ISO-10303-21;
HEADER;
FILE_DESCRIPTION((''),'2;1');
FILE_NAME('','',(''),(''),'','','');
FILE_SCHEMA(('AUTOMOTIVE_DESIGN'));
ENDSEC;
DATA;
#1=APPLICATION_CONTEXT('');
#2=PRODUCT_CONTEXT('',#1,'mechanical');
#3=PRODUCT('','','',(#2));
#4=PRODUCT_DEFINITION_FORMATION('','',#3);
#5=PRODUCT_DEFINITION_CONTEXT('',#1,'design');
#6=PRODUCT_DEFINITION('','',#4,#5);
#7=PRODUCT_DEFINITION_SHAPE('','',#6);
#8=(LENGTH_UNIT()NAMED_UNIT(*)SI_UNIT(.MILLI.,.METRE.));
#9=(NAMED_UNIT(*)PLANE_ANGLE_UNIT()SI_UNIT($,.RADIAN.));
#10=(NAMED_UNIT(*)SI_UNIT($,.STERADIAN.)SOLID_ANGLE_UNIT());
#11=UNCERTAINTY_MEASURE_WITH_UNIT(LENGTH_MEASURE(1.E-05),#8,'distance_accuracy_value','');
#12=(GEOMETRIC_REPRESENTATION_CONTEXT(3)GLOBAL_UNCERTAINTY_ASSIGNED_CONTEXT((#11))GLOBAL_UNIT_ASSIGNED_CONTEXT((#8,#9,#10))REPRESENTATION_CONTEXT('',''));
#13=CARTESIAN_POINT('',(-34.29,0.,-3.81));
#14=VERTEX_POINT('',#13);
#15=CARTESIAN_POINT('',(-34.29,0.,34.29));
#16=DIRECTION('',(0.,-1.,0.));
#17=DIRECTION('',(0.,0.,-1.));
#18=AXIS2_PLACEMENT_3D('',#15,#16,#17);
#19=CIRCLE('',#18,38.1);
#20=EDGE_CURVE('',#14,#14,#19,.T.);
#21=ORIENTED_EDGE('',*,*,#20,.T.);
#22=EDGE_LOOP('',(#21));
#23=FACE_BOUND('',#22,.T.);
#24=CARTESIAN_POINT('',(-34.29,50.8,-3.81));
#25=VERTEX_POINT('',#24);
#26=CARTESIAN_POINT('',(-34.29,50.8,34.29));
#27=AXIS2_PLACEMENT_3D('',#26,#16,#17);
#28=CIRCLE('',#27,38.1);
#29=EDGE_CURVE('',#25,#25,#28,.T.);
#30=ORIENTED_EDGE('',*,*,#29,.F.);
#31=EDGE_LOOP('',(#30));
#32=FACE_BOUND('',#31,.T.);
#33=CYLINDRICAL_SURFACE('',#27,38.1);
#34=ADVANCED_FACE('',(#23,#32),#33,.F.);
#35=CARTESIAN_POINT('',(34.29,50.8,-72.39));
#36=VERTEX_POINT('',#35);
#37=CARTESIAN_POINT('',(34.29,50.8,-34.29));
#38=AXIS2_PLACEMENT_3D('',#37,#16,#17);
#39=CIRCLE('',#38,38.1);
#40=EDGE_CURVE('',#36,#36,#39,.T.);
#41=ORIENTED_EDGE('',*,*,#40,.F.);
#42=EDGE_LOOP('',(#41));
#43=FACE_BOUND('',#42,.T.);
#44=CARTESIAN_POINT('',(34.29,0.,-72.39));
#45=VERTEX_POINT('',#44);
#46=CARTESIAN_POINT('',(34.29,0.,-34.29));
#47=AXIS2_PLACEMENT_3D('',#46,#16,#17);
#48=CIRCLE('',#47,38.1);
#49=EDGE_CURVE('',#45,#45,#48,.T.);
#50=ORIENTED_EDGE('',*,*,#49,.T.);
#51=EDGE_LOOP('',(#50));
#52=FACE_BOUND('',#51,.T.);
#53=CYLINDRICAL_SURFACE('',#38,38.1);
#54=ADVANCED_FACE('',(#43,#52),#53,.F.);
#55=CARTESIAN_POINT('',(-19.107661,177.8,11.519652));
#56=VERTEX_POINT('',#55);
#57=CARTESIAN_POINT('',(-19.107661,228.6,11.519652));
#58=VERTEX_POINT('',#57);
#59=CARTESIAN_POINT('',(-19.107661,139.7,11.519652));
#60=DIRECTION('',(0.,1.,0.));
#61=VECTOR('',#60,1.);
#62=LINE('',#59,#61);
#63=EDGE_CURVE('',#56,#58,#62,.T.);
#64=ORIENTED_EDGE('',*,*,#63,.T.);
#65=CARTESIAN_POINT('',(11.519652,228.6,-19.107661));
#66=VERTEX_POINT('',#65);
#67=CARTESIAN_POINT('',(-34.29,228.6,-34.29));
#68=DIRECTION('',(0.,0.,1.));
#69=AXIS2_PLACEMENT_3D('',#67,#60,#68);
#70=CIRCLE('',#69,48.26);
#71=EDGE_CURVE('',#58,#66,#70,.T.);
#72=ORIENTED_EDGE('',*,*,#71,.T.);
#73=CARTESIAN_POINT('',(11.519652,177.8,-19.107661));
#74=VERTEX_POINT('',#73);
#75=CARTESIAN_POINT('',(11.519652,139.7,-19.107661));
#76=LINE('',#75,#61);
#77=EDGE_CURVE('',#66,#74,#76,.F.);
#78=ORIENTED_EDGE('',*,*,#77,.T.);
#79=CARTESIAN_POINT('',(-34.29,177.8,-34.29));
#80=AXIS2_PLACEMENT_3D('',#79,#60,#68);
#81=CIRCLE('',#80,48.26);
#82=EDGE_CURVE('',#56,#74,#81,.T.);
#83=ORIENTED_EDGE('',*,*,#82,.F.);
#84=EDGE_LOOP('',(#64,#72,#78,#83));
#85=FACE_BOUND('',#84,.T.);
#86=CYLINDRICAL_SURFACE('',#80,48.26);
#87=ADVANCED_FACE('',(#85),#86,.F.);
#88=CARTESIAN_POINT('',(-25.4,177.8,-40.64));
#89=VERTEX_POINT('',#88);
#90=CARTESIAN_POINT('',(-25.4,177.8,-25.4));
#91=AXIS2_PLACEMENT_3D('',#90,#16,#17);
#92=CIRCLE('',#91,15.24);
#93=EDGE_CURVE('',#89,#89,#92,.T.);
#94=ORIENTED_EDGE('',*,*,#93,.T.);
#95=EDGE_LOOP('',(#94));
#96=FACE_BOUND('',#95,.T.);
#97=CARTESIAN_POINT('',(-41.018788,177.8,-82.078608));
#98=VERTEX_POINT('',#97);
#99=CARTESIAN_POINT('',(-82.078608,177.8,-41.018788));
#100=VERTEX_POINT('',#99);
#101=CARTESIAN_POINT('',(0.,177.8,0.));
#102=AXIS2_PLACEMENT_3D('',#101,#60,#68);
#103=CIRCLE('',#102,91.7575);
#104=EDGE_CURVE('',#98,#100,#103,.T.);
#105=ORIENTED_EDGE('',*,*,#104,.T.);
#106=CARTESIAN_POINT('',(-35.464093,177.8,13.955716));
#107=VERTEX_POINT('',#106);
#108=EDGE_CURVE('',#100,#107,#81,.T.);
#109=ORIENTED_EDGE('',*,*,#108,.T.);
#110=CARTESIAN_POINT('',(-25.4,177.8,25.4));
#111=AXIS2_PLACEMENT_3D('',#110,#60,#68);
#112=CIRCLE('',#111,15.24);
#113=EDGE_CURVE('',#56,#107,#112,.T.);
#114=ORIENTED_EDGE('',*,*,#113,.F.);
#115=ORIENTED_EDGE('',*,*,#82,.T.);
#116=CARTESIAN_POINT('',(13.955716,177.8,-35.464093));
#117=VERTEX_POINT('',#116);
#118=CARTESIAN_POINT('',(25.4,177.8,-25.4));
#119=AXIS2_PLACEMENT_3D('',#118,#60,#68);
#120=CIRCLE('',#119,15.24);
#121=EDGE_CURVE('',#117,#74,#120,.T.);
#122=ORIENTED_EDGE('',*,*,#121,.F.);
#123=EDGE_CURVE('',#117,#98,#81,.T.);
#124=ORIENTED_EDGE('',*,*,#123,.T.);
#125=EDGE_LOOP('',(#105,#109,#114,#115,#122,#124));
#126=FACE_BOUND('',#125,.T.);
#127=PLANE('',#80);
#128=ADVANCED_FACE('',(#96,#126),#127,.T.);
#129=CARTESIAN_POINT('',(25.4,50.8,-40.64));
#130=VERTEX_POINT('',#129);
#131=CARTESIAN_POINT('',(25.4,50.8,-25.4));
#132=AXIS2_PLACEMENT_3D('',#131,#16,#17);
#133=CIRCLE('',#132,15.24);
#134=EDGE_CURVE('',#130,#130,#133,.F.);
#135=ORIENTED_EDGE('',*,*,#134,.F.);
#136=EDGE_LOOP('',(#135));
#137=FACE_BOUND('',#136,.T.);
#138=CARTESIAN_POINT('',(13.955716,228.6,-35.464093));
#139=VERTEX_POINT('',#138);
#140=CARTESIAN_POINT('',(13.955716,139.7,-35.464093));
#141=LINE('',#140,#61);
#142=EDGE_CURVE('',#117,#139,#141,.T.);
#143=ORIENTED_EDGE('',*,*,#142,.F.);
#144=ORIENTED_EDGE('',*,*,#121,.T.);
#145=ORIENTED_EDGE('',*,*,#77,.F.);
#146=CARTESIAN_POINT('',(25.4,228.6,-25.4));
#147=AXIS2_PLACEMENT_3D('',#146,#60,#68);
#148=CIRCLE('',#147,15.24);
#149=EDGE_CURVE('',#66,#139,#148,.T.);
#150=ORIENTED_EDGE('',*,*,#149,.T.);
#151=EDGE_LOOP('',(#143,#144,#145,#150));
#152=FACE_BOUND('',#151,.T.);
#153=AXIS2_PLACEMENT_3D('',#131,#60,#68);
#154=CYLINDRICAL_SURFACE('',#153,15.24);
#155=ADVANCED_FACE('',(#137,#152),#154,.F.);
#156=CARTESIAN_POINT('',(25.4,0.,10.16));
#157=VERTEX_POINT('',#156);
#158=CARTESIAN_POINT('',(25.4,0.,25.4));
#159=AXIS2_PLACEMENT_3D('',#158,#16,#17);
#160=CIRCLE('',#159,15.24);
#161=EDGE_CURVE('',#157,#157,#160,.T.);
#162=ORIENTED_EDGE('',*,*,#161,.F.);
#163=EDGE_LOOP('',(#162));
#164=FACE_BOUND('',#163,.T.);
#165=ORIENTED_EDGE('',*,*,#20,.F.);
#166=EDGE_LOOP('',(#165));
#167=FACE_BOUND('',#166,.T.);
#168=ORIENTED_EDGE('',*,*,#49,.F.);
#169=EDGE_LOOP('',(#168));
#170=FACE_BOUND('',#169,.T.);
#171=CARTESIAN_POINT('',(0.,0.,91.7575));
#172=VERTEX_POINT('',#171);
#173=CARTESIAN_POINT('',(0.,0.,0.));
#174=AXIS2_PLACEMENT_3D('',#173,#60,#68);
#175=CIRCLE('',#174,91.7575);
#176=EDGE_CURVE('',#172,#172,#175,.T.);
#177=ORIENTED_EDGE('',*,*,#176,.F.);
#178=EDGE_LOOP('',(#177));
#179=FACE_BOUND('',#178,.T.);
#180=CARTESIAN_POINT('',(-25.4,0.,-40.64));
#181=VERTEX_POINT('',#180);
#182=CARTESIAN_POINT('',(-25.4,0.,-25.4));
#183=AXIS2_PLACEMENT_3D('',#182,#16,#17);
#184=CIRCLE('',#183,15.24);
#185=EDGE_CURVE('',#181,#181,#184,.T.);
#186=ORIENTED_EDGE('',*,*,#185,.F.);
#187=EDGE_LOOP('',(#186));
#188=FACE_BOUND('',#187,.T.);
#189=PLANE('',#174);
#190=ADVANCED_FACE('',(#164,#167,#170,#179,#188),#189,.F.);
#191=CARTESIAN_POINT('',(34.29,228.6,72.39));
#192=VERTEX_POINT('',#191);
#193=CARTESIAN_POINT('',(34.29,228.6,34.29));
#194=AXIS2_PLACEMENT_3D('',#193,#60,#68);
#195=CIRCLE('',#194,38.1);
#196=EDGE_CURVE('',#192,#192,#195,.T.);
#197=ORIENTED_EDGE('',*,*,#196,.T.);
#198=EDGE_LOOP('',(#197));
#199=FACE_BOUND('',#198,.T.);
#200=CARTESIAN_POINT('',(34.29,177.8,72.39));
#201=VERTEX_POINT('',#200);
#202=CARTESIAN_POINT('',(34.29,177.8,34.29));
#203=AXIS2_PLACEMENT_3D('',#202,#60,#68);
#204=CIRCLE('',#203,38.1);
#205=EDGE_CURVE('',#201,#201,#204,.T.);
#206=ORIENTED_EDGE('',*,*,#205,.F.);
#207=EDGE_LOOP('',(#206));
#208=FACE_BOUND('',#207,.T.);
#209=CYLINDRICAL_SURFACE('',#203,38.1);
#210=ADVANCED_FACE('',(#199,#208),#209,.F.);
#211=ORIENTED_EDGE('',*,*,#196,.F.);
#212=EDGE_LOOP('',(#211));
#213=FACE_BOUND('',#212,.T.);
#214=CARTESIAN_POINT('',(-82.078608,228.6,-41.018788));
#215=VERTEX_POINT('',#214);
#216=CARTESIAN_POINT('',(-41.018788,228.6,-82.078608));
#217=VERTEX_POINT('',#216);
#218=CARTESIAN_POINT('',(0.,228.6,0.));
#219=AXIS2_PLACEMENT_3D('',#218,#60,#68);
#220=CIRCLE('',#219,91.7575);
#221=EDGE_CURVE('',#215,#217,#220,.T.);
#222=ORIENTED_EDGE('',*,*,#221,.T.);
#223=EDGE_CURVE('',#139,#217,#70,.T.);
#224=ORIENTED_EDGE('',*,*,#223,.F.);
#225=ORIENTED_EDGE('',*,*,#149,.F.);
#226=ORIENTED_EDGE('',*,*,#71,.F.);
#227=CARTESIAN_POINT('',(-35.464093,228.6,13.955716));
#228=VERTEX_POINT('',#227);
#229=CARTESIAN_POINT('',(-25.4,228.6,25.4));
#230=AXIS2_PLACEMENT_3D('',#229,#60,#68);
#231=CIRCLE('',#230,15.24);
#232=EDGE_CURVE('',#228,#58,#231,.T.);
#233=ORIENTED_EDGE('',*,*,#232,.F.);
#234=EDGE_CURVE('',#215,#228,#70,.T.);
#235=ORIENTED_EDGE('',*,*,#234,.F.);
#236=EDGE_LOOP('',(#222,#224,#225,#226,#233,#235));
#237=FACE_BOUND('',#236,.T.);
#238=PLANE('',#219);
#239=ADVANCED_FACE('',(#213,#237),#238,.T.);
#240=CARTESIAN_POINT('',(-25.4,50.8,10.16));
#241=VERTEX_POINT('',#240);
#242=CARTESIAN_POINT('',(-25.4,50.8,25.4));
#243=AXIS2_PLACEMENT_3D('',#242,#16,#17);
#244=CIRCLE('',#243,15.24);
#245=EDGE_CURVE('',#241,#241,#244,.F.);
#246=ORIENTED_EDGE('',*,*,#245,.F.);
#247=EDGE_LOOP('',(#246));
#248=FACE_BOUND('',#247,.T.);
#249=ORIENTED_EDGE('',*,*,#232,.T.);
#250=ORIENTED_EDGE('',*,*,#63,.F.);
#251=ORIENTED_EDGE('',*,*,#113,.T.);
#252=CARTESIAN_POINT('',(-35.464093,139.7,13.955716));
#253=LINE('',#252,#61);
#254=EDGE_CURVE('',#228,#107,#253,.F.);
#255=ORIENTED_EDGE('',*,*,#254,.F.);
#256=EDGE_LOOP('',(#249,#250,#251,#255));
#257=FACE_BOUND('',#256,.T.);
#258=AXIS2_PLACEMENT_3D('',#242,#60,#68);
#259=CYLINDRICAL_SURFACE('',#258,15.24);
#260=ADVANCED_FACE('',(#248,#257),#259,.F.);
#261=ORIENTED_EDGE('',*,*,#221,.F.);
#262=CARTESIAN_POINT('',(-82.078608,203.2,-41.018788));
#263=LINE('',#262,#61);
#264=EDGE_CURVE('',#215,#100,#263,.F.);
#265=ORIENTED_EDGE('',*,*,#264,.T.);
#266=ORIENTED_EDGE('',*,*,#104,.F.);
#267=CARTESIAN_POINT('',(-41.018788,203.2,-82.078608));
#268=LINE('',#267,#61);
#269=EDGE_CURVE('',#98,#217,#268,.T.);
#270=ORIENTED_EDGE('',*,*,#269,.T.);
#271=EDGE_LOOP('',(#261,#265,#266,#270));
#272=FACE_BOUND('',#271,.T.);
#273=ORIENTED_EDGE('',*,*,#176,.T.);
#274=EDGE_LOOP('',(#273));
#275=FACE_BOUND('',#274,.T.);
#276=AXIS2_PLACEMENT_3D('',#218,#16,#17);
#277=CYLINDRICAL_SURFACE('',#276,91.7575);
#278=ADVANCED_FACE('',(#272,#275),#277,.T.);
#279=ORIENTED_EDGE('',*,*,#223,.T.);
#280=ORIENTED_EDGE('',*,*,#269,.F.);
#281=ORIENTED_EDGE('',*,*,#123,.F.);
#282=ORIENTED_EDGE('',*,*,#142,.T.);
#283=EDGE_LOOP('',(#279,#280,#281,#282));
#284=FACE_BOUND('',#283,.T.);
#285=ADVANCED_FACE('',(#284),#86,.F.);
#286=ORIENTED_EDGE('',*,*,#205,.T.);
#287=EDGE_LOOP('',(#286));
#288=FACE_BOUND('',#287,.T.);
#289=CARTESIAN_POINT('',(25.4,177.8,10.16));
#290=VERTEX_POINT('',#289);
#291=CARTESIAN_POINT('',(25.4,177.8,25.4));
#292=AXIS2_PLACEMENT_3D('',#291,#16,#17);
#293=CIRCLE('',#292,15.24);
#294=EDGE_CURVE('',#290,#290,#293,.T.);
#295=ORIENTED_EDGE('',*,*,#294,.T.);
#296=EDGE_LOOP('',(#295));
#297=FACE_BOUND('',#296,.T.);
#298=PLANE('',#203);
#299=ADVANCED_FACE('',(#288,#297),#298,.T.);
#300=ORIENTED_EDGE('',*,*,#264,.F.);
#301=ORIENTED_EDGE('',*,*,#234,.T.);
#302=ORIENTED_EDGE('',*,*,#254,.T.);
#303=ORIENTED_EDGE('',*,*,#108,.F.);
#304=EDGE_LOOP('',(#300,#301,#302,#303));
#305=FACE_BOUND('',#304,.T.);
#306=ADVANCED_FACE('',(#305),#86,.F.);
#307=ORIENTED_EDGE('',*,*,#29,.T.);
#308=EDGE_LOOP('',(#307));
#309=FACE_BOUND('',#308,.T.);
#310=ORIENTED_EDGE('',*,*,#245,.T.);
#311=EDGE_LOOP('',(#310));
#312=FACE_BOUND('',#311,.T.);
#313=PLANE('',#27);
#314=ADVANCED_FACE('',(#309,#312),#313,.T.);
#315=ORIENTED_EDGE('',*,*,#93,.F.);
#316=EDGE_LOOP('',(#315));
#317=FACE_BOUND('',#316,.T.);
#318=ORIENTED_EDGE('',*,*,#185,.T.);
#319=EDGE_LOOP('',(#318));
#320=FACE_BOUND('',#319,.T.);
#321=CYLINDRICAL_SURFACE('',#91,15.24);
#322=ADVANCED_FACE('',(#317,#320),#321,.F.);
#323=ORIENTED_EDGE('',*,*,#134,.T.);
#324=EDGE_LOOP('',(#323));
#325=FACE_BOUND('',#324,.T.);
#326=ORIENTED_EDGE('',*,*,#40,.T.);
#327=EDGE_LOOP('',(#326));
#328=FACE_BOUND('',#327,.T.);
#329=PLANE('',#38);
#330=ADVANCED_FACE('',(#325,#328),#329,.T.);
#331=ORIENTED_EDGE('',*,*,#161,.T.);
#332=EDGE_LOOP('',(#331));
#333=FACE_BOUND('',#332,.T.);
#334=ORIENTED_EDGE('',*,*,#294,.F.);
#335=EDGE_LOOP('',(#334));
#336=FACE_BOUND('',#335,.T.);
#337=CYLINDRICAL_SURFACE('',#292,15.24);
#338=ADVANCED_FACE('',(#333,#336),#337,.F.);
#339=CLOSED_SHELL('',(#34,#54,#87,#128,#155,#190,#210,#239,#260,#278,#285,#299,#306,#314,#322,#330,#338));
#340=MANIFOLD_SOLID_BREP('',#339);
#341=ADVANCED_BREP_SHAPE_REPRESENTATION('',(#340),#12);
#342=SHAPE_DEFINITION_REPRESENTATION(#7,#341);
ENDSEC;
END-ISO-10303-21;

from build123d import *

# Parameters (mm, degrees)
SKETCH1_R           = 91.7575
BOSS_EXTRUDE1_DEPTH = 228.6
SKETCH2_R           = 48.26
SKETCH2_R_2         = 38.1
CUT_EXTRUDE1_DEPTH  = 50.8
SKETCH4_R           = 15.24
CUT_EXTRUDE2_DEPTH  = 177.8
SKETCH5_R           = 15.24
CUT_EXTRUDE3_DEPTH  = 177.8
SKETCH6_R           = 38.1
CUT_EXTRUDE9_DEPTH  = 50.8


with BuildPart() as part:
    # Sketch1 → Boss-Extrude1 (new body)
    with BuildSketch(Plane(origin=(0, 0, 0), x_dir=(1, 0, 0), z_dir=(0, 1, 0))):
        with Locations(Location((0, 0, 0), (0, 0, 270))):
            Circle(SKETCH1_R)
    extrude(amount=BOSS_EXTRUDE1_DEPTH)

    # Sketch2 → Cut-Extrude1 (cut)
    with BuildSketch(Plane(origin=(0, 228.6, 0), x_dir=(1, 0, 0), z_dir=(0, 1, 0))):
        with Locations((-34.29, 34.29)):
            Circle(SKETCH2_R)
        with Locations(Location((34.29, -34.29, 0), (0, 0, 270))):
            Circle(SKETCH2_R_2)
    extrude(amount=-CUT_EXTRUDE1_DEPTH, mode=Mode.SUBTRACT)

    # Sketch4 → Cut-Extrude2 (cut)
    with BuildSketch(Plane(origin=(0, 228.6, 0), x_dir=(1, 0, 0), z_dir=(0, 1, 0))):
        with Locations(Location((25.4, 25.4, 0), (0, 0, 270))):
            Circle(SKETCH4_R)
        with Locations(Location((-25.4, -25.4, 0), (0, 0, 270))):
            Circle(SKETCH4_R)
    extrude(amount=-CUT_EXTRUDE2_DEPTH, mode=Mode.SUBTRACT)

    # Sketch5 → Cut-Extrude3 (cut)
    with BuildSketch(Plane.XZ):
        with Locations(Location((-25.4, -25.4, 0), (0, 0, 270))):
            Circle(SKETCH5_R)
        with Locations(Location((25.4, 25.4, 0), (0, 0, 270))):
            Circle(SKETCH5_R)
    extrude(amount=-CUT_EXTRUDE3_DEPTH, mode=Mode.SUBTRACT)

    # Sketch6 → Cut-Extrude9 (cut)
    with BuildSketch(Plane.XZ):
        with Locations(Location((-34.29, 34.29, 0), (0, 0, 270))):
            Circle(SKETCH6_R)
        with Locations(Location((34.29, -34.29, 0), (0, 0, 270))):
            Circle(SKETCH6_R)
    extrude(amount=-CUT_EXTRUDE9_DEPTH, mode=Mode.SUBTRACT)


solid = part.part
